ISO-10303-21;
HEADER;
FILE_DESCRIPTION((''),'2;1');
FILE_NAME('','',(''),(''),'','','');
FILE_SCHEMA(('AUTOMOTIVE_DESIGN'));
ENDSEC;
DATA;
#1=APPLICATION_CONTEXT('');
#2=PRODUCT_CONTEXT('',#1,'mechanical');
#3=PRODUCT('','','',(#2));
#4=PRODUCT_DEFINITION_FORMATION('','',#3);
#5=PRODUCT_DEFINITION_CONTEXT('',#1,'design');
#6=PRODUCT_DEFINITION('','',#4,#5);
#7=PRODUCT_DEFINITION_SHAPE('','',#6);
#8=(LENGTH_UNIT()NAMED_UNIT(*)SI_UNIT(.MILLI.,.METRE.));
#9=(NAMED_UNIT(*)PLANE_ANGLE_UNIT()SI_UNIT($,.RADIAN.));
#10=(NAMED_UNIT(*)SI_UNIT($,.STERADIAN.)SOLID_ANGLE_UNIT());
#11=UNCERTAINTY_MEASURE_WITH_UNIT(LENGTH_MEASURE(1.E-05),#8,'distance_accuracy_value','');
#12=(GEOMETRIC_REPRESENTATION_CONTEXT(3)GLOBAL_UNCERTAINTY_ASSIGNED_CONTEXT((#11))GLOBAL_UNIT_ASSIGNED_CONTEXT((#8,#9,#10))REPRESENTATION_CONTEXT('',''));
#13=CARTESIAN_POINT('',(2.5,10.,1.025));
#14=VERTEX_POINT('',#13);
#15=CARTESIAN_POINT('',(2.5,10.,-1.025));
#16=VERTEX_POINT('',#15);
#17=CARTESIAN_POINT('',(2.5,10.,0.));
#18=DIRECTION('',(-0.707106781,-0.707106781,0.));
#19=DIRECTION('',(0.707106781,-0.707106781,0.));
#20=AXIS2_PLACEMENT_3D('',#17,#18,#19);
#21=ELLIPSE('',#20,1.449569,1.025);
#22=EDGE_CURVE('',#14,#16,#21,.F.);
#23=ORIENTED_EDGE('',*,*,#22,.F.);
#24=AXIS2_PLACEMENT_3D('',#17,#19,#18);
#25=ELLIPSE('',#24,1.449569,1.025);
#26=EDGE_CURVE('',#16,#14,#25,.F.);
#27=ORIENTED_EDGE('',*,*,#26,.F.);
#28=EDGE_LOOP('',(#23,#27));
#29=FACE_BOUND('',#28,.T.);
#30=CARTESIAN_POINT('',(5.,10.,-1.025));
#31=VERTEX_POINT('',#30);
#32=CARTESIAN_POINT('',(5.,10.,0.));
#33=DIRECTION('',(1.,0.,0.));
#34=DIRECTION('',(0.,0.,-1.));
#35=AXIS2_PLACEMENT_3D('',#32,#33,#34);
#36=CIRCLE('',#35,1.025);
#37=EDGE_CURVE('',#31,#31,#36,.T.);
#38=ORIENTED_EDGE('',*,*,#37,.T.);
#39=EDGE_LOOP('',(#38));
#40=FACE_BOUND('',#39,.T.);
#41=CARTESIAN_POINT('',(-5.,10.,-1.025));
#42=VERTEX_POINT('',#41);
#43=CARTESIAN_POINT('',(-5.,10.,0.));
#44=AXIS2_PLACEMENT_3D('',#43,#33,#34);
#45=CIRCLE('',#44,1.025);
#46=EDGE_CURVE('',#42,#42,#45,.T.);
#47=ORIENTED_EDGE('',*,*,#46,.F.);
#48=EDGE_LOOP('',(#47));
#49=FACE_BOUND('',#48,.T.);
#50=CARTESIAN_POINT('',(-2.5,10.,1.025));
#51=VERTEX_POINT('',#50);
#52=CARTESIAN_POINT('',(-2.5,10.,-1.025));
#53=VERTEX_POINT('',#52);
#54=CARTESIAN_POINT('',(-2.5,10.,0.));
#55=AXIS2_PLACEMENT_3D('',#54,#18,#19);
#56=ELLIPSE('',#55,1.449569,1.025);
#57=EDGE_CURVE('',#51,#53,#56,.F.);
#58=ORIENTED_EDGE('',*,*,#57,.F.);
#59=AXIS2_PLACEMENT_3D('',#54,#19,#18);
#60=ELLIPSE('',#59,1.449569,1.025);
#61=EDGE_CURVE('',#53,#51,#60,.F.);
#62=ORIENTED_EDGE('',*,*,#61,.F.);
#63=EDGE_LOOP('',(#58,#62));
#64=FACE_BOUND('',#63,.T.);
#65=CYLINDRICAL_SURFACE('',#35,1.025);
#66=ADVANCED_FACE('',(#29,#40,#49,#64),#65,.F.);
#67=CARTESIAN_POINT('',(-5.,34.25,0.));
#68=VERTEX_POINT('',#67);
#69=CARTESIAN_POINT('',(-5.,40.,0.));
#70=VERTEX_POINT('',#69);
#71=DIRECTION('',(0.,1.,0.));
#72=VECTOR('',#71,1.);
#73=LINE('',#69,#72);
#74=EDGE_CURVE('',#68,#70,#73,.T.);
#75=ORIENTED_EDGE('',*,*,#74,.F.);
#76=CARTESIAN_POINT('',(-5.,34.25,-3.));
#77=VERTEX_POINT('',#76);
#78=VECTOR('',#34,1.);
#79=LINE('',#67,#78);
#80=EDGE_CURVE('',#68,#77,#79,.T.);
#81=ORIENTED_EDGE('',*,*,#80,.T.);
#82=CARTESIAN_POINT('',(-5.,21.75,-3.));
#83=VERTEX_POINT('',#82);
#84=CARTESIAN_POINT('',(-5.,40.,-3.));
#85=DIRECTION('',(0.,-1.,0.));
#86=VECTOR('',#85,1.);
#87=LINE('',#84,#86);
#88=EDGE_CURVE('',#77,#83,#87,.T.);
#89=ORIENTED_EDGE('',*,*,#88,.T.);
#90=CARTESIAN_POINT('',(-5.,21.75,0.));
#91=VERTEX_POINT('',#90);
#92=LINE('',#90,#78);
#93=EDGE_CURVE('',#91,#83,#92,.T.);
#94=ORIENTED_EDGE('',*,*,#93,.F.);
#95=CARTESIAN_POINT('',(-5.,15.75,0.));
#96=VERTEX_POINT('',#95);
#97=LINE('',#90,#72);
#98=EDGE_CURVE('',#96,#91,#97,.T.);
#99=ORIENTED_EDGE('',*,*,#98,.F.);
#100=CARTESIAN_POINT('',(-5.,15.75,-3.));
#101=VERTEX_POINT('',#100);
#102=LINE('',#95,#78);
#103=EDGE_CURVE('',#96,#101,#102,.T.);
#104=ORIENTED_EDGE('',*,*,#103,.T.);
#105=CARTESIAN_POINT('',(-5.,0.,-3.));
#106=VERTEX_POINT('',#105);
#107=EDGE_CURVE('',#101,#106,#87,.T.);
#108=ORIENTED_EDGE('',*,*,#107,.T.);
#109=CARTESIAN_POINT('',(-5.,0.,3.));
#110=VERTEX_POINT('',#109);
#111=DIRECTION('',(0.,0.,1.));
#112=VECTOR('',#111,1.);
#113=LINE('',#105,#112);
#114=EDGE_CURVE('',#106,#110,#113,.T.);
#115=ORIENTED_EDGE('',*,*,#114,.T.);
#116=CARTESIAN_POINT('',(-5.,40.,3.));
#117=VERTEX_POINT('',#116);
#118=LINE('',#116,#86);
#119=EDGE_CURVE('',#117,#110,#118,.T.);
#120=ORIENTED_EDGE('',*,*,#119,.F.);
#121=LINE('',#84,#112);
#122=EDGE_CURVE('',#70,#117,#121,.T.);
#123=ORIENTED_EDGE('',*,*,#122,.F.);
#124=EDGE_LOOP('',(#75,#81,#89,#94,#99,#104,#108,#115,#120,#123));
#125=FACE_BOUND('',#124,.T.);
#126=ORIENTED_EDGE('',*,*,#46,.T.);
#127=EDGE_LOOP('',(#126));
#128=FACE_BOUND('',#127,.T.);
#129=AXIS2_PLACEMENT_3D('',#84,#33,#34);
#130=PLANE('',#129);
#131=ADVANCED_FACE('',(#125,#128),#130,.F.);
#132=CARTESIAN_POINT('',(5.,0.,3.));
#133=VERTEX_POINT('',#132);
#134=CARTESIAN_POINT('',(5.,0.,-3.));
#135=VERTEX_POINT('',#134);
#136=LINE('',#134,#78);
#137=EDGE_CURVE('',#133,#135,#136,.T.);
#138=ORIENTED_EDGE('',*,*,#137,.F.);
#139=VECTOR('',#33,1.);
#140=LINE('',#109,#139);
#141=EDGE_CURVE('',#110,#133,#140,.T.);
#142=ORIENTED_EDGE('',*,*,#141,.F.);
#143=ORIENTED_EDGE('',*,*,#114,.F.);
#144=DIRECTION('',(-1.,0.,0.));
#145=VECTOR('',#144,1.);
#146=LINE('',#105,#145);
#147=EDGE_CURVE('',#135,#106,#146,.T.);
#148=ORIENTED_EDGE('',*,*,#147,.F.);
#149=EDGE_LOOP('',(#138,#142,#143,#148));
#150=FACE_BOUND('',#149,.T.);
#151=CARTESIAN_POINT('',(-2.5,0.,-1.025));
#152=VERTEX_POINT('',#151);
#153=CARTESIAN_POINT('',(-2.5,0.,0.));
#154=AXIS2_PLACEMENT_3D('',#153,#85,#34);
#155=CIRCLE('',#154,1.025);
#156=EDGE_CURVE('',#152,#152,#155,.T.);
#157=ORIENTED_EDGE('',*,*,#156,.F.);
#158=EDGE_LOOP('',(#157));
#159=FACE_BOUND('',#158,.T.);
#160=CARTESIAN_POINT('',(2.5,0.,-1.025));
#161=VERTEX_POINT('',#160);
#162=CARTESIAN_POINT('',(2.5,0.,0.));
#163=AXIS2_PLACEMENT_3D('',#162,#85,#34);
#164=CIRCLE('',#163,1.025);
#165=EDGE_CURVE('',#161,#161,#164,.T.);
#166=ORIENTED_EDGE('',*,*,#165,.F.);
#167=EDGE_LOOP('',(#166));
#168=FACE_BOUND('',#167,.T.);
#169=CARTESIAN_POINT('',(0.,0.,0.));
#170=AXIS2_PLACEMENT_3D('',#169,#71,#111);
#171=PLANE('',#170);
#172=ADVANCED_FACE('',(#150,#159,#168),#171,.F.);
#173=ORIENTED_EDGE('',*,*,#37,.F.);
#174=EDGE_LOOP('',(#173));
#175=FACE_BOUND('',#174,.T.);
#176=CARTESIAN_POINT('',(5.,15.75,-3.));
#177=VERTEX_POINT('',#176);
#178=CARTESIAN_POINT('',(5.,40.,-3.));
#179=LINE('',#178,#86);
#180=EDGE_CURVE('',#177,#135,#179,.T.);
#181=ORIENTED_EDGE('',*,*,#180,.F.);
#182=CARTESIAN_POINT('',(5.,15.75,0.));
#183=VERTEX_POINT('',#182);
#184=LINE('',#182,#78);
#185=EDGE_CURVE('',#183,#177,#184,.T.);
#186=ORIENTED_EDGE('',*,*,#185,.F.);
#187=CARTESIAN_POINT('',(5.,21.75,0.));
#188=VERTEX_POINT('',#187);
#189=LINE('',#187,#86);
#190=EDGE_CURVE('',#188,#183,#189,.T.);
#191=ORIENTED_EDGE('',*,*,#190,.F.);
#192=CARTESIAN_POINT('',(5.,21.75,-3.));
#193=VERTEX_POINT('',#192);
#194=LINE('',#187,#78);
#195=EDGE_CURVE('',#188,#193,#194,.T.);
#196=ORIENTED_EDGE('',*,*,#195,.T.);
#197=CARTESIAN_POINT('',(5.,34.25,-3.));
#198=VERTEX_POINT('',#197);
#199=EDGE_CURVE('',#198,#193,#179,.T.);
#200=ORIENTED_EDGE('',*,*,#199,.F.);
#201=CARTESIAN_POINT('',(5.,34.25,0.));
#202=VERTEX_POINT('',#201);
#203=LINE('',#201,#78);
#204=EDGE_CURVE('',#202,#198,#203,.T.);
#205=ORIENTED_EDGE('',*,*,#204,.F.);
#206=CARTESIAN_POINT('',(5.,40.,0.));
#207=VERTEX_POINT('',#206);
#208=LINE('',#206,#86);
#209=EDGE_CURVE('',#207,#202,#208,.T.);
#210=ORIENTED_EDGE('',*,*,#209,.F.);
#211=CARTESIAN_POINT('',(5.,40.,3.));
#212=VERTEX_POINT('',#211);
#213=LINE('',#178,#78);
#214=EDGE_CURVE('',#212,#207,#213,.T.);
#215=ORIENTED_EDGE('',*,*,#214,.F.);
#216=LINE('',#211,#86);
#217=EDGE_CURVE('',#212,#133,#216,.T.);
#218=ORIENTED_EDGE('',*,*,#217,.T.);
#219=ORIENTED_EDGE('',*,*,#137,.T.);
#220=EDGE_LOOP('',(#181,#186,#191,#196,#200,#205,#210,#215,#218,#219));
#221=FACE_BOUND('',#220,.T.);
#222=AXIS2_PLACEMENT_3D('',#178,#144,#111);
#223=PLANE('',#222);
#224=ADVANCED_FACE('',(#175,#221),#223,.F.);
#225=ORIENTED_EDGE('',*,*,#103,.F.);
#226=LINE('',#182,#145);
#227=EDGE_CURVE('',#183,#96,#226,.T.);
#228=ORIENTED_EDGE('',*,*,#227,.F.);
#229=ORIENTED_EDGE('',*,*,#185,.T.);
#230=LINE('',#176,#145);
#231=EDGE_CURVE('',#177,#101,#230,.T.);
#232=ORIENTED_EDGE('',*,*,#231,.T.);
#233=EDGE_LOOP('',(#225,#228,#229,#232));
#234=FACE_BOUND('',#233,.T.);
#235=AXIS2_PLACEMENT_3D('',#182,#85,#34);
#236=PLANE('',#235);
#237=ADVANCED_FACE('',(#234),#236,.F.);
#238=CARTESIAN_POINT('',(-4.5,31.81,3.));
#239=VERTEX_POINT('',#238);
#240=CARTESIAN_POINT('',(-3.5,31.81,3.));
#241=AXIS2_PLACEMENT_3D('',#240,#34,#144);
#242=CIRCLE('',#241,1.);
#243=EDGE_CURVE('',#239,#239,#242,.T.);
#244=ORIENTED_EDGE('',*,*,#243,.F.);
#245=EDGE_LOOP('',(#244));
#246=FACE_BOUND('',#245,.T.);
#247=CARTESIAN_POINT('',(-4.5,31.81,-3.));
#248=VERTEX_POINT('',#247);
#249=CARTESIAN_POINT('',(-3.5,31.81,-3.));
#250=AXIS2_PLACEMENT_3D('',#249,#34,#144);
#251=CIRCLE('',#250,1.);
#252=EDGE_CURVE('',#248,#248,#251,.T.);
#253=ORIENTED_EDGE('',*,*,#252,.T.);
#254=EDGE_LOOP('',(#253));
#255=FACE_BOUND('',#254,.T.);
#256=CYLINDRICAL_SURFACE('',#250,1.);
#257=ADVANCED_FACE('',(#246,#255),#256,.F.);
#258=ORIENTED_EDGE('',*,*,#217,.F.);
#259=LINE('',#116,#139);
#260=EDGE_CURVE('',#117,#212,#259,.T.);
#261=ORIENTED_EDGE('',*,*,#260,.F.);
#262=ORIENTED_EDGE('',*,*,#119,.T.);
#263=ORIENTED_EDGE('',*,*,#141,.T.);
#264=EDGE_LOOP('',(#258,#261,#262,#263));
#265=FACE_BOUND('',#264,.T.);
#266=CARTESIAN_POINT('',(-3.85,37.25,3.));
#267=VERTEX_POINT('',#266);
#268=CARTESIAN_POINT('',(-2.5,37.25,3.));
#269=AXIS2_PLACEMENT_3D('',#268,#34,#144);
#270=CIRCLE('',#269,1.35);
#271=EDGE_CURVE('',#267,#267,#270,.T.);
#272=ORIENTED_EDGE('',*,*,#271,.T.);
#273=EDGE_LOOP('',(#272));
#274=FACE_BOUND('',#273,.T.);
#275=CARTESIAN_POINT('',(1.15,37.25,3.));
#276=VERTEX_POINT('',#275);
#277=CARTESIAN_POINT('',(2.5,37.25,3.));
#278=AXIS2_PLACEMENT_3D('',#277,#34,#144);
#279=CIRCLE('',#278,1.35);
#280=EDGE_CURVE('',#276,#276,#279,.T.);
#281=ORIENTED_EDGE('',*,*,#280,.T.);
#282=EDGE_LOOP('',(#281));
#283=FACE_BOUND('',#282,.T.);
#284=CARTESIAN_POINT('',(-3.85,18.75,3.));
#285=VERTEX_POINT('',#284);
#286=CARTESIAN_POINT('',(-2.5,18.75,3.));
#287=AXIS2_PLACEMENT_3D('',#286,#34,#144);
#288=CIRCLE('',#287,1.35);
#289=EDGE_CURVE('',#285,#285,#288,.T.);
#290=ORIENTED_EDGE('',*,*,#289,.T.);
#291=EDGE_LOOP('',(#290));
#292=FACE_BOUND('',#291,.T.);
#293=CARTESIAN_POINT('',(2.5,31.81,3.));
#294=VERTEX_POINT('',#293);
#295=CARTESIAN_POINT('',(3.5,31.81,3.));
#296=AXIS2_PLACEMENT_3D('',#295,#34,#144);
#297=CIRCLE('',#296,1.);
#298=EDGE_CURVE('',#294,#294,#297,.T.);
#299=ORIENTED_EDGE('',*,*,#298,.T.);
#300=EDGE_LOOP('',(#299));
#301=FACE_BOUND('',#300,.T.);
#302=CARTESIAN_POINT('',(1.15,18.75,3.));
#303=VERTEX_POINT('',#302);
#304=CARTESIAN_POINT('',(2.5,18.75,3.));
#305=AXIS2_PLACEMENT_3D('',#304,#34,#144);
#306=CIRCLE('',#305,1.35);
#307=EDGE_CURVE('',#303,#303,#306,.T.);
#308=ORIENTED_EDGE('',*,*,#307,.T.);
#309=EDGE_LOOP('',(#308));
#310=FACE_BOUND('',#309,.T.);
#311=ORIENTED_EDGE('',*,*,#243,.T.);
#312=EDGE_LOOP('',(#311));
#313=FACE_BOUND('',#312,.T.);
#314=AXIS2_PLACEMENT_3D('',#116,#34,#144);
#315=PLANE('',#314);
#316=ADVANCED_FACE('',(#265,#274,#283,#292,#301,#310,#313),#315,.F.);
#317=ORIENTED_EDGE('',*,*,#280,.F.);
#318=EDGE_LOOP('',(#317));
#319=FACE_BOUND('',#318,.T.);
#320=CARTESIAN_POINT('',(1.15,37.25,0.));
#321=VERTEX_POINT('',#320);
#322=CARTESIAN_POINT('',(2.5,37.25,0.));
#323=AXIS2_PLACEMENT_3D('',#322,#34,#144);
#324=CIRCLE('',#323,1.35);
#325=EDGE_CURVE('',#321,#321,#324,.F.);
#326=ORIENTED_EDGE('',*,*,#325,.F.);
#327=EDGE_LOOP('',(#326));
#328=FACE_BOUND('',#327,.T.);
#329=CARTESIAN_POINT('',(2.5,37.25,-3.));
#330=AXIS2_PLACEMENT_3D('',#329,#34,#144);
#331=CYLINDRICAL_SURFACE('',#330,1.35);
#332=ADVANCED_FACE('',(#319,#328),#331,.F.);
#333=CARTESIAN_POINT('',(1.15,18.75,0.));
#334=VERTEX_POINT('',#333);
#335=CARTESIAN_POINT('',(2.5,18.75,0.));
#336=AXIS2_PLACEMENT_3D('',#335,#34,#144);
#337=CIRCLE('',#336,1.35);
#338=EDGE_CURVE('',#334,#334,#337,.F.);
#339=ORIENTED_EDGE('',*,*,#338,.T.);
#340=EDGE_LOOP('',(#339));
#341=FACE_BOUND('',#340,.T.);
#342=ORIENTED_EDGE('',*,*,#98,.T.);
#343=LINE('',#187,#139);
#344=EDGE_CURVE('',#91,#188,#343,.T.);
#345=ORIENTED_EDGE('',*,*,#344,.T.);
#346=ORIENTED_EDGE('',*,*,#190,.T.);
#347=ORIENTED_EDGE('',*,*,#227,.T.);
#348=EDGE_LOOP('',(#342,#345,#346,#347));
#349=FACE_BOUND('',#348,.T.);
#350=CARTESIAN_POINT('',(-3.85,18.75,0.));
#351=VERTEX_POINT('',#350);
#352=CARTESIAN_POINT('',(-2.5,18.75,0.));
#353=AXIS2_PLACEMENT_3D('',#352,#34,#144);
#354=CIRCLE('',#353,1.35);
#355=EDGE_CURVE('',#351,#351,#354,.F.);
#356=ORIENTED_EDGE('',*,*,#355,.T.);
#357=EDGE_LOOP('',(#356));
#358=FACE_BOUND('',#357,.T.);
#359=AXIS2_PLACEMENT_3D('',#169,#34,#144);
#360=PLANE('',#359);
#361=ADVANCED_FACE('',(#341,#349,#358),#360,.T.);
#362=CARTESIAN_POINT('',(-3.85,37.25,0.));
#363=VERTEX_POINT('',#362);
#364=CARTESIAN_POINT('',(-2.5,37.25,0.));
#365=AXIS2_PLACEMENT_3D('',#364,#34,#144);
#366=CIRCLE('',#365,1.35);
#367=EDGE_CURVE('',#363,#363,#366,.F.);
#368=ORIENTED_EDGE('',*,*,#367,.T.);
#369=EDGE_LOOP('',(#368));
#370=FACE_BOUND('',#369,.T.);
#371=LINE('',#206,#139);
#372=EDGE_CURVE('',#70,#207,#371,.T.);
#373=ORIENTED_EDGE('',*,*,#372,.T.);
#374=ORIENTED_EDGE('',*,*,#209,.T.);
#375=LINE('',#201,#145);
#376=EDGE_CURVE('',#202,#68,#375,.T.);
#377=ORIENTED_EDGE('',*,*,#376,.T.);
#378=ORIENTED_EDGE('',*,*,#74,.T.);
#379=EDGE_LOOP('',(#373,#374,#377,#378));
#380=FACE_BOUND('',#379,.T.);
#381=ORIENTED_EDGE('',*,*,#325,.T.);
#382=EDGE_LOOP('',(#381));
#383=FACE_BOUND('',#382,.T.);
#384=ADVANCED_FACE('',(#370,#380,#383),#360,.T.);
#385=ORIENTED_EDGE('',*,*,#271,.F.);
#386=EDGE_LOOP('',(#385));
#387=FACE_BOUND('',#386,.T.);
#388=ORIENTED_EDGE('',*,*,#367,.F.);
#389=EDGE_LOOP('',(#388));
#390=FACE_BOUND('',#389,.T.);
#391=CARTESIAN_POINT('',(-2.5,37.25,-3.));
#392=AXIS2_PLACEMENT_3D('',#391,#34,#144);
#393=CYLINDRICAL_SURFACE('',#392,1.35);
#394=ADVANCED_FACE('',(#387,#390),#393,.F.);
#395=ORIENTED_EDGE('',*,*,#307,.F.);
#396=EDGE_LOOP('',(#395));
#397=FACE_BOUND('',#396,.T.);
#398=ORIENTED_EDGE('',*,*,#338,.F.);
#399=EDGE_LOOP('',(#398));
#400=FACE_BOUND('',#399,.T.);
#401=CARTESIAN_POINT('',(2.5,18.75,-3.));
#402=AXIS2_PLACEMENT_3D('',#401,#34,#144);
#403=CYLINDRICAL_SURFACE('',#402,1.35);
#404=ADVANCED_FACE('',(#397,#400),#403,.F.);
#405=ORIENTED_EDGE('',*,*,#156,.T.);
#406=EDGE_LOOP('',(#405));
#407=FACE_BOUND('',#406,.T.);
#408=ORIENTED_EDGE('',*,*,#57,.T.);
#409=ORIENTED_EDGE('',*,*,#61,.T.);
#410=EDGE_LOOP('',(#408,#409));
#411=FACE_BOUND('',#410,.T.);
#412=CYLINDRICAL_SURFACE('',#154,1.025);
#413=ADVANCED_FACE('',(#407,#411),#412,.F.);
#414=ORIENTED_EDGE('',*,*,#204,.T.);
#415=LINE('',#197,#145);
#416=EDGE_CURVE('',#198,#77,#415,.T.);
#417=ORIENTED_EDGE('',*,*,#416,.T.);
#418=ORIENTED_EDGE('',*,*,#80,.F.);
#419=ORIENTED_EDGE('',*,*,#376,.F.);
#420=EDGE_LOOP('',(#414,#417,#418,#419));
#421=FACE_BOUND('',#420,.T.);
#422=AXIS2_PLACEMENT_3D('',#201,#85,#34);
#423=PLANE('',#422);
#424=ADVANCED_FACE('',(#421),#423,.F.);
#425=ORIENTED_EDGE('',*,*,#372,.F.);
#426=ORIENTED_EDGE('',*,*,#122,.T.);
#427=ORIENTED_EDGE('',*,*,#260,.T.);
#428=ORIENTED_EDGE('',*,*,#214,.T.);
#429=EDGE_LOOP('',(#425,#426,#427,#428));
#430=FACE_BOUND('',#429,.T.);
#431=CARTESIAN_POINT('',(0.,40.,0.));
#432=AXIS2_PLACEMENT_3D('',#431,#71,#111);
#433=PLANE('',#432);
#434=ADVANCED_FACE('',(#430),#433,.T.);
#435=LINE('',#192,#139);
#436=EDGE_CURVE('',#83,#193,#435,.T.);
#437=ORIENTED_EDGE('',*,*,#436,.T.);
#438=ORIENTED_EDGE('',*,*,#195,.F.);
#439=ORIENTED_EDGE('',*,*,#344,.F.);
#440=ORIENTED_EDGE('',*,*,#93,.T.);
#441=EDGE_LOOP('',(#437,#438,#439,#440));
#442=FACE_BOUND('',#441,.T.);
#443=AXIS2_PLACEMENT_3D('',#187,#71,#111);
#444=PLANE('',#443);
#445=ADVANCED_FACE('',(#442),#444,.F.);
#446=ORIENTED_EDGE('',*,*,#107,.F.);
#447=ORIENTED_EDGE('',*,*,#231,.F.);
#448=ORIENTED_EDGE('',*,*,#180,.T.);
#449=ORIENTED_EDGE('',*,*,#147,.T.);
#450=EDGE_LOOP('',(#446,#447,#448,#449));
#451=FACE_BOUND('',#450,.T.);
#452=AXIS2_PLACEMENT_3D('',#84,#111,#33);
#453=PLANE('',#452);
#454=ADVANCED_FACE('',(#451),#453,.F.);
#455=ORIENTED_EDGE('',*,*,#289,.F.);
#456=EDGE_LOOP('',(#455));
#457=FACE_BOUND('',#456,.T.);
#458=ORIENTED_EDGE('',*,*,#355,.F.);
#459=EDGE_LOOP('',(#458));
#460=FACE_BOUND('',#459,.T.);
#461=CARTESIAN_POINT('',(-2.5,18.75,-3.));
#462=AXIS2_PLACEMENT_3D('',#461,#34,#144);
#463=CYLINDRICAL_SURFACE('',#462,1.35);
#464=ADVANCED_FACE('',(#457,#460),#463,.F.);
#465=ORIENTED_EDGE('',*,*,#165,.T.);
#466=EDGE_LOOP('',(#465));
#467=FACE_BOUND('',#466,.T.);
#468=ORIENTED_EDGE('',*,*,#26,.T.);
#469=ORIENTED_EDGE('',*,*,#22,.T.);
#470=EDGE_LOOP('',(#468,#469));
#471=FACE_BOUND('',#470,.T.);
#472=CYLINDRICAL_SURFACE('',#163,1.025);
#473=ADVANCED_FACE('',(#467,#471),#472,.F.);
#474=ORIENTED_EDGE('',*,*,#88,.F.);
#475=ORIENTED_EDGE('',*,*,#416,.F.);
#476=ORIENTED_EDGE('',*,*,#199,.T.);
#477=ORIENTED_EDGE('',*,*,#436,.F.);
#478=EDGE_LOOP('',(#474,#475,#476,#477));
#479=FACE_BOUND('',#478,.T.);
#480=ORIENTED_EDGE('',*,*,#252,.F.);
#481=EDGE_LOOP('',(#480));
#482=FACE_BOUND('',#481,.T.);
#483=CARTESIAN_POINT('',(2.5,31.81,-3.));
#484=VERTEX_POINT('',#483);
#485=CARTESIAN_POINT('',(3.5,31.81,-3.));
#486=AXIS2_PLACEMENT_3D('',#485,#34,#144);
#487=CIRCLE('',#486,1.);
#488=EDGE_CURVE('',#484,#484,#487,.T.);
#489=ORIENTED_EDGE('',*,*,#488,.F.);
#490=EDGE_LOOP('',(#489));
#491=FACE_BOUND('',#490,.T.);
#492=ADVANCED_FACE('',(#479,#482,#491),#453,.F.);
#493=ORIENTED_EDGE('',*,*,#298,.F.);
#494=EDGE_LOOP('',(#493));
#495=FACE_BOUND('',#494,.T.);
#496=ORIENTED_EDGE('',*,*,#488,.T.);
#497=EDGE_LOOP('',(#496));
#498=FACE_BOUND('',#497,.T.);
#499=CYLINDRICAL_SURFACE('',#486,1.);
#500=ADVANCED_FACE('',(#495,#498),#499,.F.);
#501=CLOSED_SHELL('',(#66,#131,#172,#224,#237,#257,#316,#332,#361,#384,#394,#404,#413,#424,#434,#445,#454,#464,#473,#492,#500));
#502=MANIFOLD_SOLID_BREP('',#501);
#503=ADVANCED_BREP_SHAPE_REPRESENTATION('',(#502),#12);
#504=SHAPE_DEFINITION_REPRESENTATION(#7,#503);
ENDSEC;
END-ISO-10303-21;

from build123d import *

# Parameters (mm, degrees)
SKETCH1_W                = 10
SKETCH1_H                = 6
BOSS_EXTRUDE1_DEPTH      = 40
M2_5_TAPPED_HOLE1_D      = 2.05
M2_5_TAPPED_HOLE1_DEPTH  = 10
M2_5_TAPPED_HOLE1_TIP    = 0.615882135
M2_5_CLEARANCE_HOLE1_D   = 2.7
F_2_0_2_DIAMETER_HOLE2_D = 2
M2_5_TAPPED_HOLE2_D      = 2.05
SKETCH13_W               = 10
SKETCH13_H               = 6
SKETCH13_H_2             = 5.75
CUT_EXTRUDE2_DEPTH       = 3


with BuildPart() as part:
    # Sketch1 → Boss-Extrude1 (new body)
    with BuildSketch(Plane(origin=(0, 0, 0), x_dir=(1, 0, 0), z_dir=(0, 1, 0))):
        Rectangle(SKETCH1_W, SKETCH1_H)
    extrude(amount=BOSS_EXTRUDE1_DEPTH)

    # M2.5 Tapped Hole1
    with Locations(Plane(origin=(0, 0, 0), x_dir=(-1, 0, 0), z_dir=(0, -1, 0))):
        with Locations((2.5, 0), (-2.5, 0)):
            Hole(M2_5_TAPPED_HOLE1_D / 2, depth=M2_5_TAPPED_HOLE1_DEPTH)
            with Locations((0, 0, -(M2_5_TAPPED_HOLE1_DEPTH + M2_5_TAPPED_HOLE1_TIP / 2))):  # 118° drill point
                Cone(0, M2_5_TAPPED_HOLE1_D / 2, M2_5_TAPPED_HOLE1_TIP, mode=Mode.SUBTRACT)

    # M2.5 Clearance Hole1 (through all)
    with Locations(Plane(origin=(0, 0, -3), x_dir=(-1, 0, 0), z_dir=(0, 0, -1))):
        with Locations((-2.5, 37.25), (2.5, 37.25), (-2.5, 18.75), (2.5, 18.75)):
            Hole(M2_5_CLEARANCE_HOLE1_D / 2)

    # Ø2.0 (2) Diameter Hole2 (through all)
    with Locations(Plane(origin=(0, 0, -3), x_dir=(-1, 0, 0), z_dir=(0, 0, -1))):
        with Locations((3.5, 31.81)):
            f_2_0_2_diameter_hole2 = Hole(F_2_0_2_DIAMETER_HOLE2_D / 2)

    # Mirror1: Ø2.0 (2) Diameter Hole2 across plane
    add(f_2_0_2_diameter_hole2.mirror(Plane(origin=(0, 0, 0), x_dir=(0, 0, 1), z_dir=(1, 0, 0))), mode=Mode.SUBTRACT)

    # M2.5 Tapped Hole2 (through all)
    with Locations(Plane(origin=(5, 0, 0), x_dir=(0, 0, -1), z_dir=(1, 0, 0))):
        with Locations((0, 10)):
            Hole(M2_5_TAPPED_HOLE2_D / 2)

    # Sketch13 → Cut-Extrude2 (cut)
    with BuildSketch(Plane(origin=(0, 0, -3), x_dir=(-1, 0, 0), z_dir=(0, 0, -1))):
        with Locations((0, 18.75)):
            Rectangle(SKETCH13_W, SKETCH13_H)
        with Locations((0, 37.125)):
            Rectangle(SKETCH13_W, SKETCH13_H_2)
    extrude(amount=-CUT_EXTRUDE2_DEPTH, mode=Mode.SUBTRACT)


solid = part.part
